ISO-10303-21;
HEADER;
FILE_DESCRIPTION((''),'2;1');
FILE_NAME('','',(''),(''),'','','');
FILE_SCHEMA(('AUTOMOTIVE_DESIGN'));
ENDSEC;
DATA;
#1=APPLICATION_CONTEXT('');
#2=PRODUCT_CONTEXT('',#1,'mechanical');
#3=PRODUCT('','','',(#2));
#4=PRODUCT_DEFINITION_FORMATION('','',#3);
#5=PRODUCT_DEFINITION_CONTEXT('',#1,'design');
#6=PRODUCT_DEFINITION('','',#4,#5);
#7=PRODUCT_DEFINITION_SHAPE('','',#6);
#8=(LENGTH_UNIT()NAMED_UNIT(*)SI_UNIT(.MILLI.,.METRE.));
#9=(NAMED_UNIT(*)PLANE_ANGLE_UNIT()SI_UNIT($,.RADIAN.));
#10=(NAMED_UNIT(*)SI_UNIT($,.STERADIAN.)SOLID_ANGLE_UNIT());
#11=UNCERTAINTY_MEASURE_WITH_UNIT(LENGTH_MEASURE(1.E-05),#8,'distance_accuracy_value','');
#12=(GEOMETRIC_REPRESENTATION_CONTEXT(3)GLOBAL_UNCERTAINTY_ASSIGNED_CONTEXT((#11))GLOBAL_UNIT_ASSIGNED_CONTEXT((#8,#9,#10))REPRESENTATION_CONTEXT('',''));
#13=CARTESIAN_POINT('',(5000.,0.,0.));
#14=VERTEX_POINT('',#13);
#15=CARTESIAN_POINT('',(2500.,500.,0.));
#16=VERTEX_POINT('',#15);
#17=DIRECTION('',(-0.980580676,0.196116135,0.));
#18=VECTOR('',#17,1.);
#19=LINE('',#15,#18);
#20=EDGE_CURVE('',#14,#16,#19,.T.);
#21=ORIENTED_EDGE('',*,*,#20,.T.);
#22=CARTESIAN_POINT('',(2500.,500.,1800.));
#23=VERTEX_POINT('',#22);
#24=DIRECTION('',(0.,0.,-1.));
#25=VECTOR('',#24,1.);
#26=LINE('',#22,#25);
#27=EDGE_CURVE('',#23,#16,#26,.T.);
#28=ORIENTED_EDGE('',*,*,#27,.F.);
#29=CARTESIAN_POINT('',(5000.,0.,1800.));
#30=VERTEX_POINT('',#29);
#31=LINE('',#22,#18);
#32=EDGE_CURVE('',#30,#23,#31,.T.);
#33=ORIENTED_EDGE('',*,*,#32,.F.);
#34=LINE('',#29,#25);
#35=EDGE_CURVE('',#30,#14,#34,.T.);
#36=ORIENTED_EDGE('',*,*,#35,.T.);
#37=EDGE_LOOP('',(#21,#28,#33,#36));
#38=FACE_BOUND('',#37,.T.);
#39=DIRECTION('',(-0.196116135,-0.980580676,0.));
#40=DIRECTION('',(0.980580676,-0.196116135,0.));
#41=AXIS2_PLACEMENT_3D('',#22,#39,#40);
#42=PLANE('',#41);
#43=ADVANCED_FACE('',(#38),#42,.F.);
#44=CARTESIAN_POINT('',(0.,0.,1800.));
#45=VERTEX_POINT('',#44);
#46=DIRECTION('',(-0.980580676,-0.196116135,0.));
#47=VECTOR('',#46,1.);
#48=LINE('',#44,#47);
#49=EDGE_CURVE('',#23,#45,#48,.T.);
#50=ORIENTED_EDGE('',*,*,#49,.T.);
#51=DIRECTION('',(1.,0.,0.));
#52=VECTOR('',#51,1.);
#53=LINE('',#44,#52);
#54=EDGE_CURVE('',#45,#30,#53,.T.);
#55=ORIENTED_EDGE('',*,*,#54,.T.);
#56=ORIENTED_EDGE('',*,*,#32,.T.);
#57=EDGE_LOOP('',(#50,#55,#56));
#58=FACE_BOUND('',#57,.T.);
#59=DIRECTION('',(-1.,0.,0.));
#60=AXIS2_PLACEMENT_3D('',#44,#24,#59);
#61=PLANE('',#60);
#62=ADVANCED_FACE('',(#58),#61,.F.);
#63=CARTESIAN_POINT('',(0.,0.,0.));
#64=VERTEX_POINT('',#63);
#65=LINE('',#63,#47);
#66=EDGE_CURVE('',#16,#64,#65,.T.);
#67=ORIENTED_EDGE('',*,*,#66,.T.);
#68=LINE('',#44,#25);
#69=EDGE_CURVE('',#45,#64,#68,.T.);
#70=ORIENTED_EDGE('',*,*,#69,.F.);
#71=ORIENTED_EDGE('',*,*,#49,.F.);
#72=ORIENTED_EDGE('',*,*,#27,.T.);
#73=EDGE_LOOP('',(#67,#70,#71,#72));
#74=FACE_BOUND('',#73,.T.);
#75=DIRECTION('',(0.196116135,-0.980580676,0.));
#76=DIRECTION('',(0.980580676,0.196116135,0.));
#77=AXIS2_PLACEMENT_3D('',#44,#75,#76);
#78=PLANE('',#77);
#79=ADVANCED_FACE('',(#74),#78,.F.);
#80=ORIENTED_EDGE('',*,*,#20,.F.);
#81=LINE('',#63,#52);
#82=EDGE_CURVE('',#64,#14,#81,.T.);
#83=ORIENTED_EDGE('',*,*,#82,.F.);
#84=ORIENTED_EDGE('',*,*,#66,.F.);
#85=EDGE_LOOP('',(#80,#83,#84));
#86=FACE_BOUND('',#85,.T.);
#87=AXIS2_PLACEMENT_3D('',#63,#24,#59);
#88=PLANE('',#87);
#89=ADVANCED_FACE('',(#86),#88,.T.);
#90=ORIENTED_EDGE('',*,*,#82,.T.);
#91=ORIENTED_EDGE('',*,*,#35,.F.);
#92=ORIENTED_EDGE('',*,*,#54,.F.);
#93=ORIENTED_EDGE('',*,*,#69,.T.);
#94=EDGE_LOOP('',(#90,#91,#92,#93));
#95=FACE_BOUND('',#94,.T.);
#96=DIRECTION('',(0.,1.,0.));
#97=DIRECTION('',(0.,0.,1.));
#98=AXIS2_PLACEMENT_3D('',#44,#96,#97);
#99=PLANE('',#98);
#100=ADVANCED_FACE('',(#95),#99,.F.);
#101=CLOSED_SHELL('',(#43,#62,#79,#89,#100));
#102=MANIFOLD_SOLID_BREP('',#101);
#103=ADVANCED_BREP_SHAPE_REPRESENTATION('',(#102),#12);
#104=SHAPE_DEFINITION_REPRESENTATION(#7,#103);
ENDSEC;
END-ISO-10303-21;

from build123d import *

# Parameters (mm, degrees)
BOSS_EXTRUDE1_DEPTH = 1800


with BuildPart() as part:
    # Sketch1 → Boss-Extrude1 (new body)
    with BuildSketch(Plane.XY):
        Polygon((0, 0), (5000, 0), (2500, 500), align=None)
    extrude(amount=BOSS_EXTRUDE1_DEPTH)


solid = part.part
